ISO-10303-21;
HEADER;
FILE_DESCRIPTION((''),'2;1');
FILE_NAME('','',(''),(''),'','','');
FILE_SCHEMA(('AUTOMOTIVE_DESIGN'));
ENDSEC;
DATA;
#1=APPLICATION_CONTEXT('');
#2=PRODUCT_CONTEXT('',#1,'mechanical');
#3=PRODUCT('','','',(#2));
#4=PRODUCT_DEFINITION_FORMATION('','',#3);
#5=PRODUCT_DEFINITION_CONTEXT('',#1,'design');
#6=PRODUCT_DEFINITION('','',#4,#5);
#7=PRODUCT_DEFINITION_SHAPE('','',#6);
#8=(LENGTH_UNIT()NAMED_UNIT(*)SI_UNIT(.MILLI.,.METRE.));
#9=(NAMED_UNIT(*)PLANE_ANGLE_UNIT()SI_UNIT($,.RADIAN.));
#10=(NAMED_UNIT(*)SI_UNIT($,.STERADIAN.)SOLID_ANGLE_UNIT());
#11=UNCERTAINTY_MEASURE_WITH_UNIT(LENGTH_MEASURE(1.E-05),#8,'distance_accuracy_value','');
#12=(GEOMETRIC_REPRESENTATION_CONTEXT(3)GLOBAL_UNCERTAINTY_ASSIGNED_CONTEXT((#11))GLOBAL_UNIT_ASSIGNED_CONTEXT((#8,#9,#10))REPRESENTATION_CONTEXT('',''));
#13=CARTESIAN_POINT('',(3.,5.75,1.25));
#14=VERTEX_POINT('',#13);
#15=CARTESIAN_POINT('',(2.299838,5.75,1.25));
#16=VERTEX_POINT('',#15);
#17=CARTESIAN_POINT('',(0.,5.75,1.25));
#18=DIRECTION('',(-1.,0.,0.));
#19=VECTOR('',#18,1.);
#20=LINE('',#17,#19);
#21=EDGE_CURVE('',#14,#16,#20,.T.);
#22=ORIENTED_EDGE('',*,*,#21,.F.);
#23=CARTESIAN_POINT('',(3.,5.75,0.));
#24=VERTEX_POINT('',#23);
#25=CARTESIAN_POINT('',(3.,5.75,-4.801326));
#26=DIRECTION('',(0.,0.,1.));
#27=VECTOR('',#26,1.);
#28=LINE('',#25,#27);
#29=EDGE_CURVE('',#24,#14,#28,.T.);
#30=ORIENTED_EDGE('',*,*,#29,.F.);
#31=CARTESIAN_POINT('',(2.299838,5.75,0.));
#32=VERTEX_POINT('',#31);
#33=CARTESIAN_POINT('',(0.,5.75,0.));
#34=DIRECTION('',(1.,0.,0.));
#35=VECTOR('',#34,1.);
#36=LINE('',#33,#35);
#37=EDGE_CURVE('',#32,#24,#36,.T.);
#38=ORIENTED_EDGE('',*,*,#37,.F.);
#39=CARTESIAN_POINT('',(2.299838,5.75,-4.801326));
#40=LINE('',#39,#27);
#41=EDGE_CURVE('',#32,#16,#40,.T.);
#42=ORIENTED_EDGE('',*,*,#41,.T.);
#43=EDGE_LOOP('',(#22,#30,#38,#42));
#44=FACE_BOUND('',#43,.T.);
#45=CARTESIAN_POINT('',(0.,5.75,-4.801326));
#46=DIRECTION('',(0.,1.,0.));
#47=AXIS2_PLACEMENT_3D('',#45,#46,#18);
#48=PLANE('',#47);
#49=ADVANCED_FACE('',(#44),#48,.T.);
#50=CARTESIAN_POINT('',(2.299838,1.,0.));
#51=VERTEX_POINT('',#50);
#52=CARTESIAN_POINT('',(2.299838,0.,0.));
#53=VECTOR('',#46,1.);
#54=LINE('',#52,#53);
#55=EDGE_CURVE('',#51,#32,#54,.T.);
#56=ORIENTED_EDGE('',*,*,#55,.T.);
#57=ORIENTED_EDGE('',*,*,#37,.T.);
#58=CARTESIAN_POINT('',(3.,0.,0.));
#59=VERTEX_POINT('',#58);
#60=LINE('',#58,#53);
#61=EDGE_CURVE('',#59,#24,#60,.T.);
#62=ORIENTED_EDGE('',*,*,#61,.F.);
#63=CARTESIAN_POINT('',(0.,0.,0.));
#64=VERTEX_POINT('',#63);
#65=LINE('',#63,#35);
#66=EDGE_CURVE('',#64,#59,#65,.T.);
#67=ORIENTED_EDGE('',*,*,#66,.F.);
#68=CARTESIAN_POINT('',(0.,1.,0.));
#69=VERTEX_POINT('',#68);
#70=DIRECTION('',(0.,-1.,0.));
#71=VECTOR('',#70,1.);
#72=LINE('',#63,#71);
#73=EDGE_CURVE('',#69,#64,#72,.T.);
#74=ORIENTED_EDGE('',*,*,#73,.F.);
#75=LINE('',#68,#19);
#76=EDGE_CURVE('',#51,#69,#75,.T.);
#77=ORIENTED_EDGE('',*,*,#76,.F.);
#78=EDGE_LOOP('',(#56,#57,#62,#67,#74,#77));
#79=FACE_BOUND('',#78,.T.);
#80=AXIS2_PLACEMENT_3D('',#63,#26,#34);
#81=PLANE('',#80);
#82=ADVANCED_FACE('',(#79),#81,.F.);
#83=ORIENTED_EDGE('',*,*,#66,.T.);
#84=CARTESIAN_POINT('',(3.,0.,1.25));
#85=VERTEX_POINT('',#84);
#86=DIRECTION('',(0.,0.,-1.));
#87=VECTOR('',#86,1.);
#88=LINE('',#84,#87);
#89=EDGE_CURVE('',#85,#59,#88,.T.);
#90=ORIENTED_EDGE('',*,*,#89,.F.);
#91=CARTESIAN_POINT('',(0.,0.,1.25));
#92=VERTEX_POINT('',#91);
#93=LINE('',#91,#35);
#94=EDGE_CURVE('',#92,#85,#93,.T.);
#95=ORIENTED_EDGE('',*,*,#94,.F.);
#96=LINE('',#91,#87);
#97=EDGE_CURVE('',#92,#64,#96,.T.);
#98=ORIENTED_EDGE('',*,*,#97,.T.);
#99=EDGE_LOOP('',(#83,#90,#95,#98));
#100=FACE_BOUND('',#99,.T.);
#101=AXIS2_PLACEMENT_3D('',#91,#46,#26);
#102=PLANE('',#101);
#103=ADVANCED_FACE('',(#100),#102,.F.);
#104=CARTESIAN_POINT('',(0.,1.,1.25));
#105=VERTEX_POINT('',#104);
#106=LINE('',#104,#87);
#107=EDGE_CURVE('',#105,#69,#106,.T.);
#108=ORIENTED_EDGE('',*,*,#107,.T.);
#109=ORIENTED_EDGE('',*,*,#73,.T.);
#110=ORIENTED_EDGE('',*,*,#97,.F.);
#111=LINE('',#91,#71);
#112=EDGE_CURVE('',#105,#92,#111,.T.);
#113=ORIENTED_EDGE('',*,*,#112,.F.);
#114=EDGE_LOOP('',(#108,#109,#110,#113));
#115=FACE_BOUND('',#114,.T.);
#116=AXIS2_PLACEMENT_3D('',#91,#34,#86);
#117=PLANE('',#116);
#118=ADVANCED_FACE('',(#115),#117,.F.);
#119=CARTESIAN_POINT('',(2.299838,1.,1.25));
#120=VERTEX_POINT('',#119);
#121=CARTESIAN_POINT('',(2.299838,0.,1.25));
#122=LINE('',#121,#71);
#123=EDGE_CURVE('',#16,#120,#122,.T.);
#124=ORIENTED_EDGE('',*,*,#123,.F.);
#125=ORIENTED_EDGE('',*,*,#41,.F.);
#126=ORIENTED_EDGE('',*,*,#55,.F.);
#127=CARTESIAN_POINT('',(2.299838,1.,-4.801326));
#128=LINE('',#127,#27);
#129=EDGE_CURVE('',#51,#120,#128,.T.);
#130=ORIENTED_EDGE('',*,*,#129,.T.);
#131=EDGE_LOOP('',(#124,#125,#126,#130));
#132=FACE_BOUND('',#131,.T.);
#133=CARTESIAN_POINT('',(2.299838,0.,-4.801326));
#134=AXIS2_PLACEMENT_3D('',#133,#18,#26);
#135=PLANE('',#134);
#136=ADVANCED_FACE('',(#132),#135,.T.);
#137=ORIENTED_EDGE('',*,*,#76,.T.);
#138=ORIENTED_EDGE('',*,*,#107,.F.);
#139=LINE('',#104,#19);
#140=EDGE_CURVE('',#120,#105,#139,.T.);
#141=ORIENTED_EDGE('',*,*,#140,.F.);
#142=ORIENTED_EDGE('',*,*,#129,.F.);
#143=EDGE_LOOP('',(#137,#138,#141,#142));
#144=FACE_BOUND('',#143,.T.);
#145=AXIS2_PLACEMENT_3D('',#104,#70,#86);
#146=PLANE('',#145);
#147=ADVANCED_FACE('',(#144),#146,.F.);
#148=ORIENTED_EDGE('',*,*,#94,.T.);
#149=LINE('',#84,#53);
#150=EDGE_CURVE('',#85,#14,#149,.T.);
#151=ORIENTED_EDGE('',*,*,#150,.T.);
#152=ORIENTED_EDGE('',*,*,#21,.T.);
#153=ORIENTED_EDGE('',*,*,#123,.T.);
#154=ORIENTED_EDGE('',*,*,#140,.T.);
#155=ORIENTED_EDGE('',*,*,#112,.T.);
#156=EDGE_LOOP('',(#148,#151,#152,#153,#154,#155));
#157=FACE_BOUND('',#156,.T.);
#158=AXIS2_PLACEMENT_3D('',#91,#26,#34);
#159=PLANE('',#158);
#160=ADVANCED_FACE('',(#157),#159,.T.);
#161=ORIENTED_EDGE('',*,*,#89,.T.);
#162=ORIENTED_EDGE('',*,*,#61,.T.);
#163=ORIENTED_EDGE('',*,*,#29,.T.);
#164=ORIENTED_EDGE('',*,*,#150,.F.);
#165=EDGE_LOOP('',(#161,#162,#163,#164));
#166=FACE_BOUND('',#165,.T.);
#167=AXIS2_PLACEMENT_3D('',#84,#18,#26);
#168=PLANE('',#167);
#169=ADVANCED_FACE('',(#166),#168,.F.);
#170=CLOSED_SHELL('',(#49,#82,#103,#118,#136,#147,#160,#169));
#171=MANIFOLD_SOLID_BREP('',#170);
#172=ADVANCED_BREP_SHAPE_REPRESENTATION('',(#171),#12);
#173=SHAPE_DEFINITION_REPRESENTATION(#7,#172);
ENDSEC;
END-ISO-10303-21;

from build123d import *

# Parameters (mm, degrees)
SKETCH1_W           = 3
SKETCH1_H           = 1
BOSS_EXTRUDE1_DEPTH = 1.25
SKETCH3_W           = 0.700162323
SKETCH3_H           = 4.75
BOSS_EXTRUDE2_DEPTH = 1.25


with BuildPart() as part:
    # Sketch1 → Boss-Extrude1 (new body)
    with BuildSketch(Plane.XY):
        with Locations((1.5, 0.5)):
            Rectangle(SKETCH1_W, SKETCH1_H)
    extrude(amount=BOSS_EXTRUDE1_DEPTH)

    # Sketch3 → Boss-Extrude2 (add)
    with BuildSketch(Plane.XY.offset(1.25)):
        with Locations((2.649918839, 3.375)):
            Rectangle(SKETCH3_W, SKETCH3_H)
    extrude(amount=-BOSS_EXTRUDE2_DEPTH)


solid = part.part
